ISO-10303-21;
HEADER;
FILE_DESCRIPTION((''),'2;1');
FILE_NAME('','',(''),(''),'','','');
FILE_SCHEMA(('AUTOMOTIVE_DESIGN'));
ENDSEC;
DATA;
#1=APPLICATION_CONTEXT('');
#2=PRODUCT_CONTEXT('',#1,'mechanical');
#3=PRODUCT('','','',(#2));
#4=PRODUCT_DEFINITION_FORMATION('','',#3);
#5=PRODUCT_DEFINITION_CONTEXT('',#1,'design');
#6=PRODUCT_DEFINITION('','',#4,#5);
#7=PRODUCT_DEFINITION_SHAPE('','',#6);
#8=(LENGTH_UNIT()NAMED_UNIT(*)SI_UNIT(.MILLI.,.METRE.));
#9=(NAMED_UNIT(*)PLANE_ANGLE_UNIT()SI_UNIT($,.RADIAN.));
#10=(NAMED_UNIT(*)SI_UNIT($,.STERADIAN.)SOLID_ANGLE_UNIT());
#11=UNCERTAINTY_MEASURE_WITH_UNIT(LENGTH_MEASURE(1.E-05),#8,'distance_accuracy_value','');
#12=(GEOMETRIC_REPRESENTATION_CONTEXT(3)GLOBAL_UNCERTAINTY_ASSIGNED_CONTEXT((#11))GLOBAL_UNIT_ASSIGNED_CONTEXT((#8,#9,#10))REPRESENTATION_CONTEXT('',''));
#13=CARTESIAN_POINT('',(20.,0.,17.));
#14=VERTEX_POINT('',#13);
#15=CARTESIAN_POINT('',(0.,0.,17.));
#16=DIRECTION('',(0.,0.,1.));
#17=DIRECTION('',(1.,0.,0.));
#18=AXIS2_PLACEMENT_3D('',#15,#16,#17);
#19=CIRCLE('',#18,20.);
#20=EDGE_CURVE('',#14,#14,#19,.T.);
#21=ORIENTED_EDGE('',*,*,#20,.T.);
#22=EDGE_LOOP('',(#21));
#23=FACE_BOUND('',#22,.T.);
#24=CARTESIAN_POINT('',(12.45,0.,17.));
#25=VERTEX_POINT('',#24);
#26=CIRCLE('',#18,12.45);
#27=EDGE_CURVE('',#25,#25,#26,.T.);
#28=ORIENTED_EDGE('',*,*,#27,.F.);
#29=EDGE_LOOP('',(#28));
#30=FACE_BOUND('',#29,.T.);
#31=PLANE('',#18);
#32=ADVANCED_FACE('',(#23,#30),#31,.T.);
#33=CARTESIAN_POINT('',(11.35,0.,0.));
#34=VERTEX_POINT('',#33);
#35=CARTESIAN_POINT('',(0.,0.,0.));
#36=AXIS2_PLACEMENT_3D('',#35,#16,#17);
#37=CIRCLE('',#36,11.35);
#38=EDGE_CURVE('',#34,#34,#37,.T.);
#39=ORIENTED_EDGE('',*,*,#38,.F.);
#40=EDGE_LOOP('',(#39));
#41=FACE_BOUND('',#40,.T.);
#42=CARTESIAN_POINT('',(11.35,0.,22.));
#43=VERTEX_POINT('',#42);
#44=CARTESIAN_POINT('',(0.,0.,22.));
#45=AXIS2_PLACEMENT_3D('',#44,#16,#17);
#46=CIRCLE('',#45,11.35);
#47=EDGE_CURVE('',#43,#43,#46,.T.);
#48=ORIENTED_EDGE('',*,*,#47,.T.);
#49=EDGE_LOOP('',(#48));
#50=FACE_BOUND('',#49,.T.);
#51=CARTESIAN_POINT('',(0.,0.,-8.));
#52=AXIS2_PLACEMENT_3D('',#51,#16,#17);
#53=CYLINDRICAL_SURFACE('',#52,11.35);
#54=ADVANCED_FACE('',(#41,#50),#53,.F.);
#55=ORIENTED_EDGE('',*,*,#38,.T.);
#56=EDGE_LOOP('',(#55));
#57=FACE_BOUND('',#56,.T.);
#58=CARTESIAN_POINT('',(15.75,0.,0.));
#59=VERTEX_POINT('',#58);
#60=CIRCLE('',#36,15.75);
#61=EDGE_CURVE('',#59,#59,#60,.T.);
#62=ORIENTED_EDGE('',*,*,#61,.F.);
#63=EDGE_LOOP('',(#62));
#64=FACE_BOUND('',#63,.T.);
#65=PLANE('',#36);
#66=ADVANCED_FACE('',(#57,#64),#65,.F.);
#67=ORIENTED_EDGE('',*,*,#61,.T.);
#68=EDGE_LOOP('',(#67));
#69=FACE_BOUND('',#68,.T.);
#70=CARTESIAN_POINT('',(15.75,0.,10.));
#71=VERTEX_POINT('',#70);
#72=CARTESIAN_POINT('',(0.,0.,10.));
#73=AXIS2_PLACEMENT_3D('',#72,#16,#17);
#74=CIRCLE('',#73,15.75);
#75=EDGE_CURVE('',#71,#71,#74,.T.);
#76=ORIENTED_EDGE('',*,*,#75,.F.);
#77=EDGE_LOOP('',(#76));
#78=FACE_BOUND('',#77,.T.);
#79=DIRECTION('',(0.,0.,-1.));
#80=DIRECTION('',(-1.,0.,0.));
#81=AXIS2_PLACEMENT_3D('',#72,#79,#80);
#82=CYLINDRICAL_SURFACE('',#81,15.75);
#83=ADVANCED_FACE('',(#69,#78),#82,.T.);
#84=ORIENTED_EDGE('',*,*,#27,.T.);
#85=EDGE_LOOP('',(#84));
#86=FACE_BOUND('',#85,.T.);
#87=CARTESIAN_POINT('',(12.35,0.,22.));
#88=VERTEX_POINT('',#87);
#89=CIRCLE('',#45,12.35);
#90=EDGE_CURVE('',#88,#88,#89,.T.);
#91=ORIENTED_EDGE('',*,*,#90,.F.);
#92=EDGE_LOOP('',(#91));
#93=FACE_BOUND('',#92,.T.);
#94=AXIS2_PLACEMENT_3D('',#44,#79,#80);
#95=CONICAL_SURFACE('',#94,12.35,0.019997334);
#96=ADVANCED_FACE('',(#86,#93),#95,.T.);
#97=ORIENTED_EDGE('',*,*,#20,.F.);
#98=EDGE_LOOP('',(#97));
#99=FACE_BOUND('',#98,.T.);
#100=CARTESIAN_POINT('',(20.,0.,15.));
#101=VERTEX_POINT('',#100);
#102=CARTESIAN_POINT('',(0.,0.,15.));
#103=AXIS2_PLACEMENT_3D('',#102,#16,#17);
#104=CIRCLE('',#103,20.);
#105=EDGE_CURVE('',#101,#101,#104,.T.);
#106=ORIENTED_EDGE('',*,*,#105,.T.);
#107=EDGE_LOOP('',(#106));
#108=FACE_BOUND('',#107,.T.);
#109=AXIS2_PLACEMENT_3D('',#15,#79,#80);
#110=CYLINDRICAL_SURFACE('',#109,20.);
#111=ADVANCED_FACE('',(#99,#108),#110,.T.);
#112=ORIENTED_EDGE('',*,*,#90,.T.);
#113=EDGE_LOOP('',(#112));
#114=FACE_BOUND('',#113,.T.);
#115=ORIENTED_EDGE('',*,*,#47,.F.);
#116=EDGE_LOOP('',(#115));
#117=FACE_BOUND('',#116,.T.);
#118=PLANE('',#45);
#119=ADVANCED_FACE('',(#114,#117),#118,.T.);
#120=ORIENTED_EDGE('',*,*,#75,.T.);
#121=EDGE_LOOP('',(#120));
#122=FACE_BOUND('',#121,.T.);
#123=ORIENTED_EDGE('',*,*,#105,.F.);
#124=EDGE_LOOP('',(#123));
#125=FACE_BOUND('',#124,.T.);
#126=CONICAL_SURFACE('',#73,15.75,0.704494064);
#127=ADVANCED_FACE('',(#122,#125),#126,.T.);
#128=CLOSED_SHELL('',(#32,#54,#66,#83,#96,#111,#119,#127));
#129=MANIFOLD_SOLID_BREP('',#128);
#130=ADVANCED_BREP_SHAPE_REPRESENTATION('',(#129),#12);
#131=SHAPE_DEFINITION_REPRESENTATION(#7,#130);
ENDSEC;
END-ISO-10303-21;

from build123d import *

# Parameters (mm, degrees)
SKETCH_10_R         = 15.75
EXTRUDE_5_DEPTH     = 10
SKETCH_12_R         = 20
SKETCH_14_R         = 20
EXTRUDE_6_DEPTH     = 2
SKETCH_16_R         = 12.35
SKETCH_15_R         = 12.45
SKETCH_17_R         = 11.35
CUT_EXTRUDE_3_DEPTH = 30


with BuildPart() as part:
    # 草图10 → 凸台-拉伸5 (new body)
    with BuildSketch(Plane.XY):
        Circle(SKETCH_10_R)
    extrude(amount=EXTRUDE_5_DEPTH)

    # 草图12 → section 0 of loft_5
    with BuildSketch(Plane.XY.offset(15), mode=Mode.PRIVATE) as loft_5_s0:
        Circle(SKETCH_12_R)
    # loft up to a face of the part (loft_5)
    loft([loft_5_s0.sketch, Face(Wire([part.edges().sort_by_distance((-10.781616918, 11.481255882, 10))[0]]))])

    # 草图14 → 凸台-拉伸6 (add)
    with BuildSketch(Plane.XY.offset(15)):
        Circle(SKETCH_14_R)
    extrude(amount=EXTRUDE_6_DEPTH)

    # 草图16 → 放样6 section 0
    with BuildSketch(Plane.XY.offset(22)):
        Circle(SKETCH_16_R)
    # 草图15 → 放样6 section 1
    with BuildSketch(Plane.XY.offset(17)):
        Circle(SKETCH_15_R)
    loft()

    # 草图17 → 切除-拉伸3 (cut)
    with BuildSketch(Plane.XY.offset(22)):
        Circle(SKETCH_17_R)
    extrude(amount=-CUT_EXTRUDE_3_DEPTH, mode=Mode.SUBTRACT)


solid = part.part
